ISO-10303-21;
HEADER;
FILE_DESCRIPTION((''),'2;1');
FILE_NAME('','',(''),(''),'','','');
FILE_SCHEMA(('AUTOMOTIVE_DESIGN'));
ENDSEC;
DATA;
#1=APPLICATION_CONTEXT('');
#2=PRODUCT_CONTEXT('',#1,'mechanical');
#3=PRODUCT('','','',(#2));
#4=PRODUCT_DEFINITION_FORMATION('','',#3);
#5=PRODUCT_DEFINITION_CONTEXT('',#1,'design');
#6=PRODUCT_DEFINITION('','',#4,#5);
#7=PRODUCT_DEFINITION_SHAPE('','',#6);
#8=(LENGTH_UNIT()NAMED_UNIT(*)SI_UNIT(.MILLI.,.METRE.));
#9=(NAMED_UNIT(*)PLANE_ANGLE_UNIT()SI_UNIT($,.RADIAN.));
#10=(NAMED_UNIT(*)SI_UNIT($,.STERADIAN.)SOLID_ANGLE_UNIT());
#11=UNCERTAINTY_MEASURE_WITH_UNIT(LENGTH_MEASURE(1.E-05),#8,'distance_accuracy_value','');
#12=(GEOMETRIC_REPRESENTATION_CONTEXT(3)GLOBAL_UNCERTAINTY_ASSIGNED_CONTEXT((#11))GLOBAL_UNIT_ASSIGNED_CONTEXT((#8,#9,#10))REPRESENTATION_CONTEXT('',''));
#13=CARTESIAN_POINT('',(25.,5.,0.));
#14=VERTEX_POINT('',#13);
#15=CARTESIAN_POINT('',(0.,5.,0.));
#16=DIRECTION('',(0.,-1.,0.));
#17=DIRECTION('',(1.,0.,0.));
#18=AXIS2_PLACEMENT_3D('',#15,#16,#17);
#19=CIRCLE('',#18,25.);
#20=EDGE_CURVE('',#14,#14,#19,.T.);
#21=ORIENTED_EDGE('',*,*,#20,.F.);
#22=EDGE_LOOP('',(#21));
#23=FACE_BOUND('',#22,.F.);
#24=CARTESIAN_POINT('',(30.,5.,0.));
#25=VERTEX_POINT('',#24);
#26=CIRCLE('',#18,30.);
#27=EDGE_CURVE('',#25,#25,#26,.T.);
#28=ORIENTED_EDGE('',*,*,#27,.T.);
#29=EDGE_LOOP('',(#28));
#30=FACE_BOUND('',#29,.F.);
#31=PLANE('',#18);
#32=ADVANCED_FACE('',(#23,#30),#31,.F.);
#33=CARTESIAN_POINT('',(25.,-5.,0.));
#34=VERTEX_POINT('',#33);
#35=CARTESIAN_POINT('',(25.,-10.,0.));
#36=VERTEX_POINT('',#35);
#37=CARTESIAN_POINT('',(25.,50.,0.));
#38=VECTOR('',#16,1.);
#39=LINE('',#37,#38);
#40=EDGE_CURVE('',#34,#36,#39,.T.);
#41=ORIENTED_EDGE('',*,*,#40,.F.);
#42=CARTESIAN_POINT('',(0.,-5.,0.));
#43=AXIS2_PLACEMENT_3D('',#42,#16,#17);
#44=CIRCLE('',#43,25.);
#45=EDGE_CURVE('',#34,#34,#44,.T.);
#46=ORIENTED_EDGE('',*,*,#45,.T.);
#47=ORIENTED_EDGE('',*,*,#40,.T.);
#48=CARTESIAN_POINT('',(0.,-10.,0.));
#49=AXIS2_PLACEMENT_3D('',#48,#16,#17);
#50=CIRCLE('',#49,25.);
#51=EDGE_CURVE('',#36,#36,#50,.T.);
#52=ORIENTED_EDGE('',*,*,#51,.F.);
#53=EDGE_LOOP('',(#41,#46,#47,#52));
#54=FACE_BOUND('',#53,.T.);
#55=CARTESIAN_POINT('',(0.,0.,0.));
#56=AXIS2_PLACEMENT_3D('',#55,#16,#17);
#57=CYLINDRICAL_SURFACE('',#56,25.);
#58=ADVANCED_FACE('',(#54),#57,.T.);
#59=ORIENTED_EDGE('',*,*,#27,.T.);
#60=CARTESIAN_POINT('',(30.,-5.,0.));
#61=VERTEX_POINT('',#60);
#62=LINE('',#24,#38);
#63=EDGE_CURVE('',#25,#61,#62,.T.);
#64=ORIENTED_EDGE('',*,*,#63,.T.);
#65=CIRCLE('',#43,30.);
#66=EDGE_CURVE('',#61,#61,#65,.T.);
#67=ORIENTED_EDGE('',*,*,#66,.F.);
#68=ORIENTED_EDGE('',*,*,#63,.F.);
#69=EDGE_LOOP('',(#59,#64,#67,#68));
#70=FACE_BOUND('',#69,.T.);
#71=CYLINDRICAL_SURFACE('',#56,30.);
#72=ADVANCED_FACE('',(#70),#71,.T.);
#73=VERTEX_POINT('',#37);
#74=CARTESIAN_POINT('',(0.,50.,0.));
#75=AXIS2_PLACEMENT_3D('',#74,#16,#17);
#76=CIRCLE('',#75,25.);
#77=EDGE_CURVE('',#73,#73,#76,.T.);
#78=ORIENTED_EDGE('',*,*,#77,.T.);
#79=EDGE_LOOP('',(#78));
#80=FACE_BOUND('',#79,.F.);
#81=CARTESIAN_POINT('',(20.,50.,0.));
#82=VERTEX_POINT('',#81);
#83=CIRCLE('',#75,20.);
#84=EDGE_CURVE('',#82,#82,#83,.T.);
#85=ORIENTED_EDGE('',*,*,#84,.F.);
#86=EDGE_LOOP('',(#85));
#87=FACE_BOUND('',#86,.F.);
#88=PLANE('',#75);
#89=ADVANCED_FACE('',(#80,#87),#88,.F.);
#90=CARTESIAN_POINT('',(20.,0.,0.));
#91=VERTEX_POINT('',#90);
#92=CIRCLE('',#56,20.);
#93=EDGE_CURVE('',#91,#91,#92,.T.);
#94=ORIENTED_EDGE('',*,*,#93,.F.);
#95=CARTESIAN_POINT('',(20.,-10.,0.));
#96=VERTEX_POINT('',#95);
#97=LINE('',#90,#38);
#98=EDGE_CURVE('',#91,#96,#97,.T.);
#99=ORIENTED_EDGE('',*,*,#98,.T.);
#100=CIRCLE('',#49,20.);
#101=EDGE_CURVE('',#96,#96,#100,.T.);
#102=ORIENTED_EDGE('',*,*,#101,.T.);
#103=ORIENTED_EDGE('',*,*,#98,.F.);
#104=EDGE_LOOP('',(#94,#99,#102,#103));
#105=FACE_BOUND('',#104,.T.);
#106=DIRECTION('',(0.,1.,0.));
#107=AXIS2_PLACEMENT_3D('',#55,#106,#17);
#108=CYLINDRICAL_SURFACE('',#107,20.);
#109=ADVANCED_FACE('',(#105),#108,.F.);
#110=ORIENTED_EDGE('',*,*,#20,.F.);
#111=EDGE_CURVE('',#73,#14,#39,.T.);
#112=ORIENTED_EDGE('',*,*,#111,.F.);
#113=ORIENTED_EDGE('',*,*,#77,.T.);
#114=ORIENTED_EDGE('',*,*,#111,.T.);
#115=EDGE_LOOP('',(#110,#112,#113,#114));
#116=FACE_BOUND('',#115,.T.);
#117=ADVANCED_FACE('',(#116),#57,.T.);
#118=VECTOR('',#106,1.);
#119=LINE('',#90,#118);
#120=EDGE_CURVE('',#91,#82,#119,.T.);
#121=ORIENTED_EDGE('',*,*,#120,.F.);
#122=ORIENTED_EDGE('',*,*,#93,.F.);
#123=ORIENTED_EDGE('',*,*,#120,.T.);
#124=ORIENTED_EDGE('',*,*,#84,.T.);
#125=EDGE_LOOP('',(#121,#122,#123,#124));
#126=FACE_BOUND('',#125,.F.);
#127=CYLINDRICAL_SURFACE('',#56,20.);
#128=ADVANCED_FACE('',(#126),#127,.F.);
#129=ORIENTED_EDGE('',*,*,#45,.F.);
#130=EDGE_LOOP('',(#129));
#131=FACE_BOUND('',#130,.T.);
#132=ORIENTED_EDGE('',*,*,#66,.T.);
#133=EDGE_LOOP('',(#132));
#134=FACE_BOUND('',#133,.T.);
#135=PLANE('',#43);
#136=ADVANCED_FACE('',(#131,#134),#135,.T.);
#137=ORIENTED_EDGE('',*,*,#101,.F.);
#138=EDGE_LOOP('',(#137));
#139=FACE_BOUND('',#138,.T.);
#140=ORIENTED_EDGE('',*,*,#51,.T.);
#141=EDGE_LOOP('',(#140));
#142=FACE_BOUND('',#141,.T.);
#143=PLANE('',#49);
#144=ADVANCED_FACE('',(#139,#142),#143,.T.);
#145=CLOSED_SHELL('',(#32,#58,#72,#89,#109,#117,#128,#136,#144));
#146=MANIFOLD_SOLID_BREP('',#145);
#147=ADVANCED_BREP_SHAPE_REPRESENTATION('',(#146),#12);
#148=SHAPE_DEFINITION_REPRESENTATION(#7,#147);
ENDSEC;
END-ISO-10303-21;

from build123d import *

# Parameters (mm, degrees)
F0_R          = 25
F0_R_2        = 20
F1_DEPTH      = 10
F1_DEPTH_BACK = 50
F2_R          = 30
F2_R_2        = 25
F3_DEPTH      = 5


with BuildPart() as f1:
    # F0 (on Front) → F1 (new body, two sides)
    with BuildSketch(Plane.XZ) as f1_sk:
        Circle(F0_R)
        Circle(F0_R_2, mode=Mode.SUBTRACT)
    extrude(amount=F1_DEPTH)
    extrude(f1_sk.sketch, amount=-F1_DEPTH_BACK)

    # F2 (on Front) → F3 (join, symmetric)
    with BuildSketch(Plane.XZ):
        Circle(F2_R)
        Circle(F2_R_2, mode=Mode.SUBTRACT)
    extrude(amount=F3_DEPTH, both=True)


solid = f1.part
